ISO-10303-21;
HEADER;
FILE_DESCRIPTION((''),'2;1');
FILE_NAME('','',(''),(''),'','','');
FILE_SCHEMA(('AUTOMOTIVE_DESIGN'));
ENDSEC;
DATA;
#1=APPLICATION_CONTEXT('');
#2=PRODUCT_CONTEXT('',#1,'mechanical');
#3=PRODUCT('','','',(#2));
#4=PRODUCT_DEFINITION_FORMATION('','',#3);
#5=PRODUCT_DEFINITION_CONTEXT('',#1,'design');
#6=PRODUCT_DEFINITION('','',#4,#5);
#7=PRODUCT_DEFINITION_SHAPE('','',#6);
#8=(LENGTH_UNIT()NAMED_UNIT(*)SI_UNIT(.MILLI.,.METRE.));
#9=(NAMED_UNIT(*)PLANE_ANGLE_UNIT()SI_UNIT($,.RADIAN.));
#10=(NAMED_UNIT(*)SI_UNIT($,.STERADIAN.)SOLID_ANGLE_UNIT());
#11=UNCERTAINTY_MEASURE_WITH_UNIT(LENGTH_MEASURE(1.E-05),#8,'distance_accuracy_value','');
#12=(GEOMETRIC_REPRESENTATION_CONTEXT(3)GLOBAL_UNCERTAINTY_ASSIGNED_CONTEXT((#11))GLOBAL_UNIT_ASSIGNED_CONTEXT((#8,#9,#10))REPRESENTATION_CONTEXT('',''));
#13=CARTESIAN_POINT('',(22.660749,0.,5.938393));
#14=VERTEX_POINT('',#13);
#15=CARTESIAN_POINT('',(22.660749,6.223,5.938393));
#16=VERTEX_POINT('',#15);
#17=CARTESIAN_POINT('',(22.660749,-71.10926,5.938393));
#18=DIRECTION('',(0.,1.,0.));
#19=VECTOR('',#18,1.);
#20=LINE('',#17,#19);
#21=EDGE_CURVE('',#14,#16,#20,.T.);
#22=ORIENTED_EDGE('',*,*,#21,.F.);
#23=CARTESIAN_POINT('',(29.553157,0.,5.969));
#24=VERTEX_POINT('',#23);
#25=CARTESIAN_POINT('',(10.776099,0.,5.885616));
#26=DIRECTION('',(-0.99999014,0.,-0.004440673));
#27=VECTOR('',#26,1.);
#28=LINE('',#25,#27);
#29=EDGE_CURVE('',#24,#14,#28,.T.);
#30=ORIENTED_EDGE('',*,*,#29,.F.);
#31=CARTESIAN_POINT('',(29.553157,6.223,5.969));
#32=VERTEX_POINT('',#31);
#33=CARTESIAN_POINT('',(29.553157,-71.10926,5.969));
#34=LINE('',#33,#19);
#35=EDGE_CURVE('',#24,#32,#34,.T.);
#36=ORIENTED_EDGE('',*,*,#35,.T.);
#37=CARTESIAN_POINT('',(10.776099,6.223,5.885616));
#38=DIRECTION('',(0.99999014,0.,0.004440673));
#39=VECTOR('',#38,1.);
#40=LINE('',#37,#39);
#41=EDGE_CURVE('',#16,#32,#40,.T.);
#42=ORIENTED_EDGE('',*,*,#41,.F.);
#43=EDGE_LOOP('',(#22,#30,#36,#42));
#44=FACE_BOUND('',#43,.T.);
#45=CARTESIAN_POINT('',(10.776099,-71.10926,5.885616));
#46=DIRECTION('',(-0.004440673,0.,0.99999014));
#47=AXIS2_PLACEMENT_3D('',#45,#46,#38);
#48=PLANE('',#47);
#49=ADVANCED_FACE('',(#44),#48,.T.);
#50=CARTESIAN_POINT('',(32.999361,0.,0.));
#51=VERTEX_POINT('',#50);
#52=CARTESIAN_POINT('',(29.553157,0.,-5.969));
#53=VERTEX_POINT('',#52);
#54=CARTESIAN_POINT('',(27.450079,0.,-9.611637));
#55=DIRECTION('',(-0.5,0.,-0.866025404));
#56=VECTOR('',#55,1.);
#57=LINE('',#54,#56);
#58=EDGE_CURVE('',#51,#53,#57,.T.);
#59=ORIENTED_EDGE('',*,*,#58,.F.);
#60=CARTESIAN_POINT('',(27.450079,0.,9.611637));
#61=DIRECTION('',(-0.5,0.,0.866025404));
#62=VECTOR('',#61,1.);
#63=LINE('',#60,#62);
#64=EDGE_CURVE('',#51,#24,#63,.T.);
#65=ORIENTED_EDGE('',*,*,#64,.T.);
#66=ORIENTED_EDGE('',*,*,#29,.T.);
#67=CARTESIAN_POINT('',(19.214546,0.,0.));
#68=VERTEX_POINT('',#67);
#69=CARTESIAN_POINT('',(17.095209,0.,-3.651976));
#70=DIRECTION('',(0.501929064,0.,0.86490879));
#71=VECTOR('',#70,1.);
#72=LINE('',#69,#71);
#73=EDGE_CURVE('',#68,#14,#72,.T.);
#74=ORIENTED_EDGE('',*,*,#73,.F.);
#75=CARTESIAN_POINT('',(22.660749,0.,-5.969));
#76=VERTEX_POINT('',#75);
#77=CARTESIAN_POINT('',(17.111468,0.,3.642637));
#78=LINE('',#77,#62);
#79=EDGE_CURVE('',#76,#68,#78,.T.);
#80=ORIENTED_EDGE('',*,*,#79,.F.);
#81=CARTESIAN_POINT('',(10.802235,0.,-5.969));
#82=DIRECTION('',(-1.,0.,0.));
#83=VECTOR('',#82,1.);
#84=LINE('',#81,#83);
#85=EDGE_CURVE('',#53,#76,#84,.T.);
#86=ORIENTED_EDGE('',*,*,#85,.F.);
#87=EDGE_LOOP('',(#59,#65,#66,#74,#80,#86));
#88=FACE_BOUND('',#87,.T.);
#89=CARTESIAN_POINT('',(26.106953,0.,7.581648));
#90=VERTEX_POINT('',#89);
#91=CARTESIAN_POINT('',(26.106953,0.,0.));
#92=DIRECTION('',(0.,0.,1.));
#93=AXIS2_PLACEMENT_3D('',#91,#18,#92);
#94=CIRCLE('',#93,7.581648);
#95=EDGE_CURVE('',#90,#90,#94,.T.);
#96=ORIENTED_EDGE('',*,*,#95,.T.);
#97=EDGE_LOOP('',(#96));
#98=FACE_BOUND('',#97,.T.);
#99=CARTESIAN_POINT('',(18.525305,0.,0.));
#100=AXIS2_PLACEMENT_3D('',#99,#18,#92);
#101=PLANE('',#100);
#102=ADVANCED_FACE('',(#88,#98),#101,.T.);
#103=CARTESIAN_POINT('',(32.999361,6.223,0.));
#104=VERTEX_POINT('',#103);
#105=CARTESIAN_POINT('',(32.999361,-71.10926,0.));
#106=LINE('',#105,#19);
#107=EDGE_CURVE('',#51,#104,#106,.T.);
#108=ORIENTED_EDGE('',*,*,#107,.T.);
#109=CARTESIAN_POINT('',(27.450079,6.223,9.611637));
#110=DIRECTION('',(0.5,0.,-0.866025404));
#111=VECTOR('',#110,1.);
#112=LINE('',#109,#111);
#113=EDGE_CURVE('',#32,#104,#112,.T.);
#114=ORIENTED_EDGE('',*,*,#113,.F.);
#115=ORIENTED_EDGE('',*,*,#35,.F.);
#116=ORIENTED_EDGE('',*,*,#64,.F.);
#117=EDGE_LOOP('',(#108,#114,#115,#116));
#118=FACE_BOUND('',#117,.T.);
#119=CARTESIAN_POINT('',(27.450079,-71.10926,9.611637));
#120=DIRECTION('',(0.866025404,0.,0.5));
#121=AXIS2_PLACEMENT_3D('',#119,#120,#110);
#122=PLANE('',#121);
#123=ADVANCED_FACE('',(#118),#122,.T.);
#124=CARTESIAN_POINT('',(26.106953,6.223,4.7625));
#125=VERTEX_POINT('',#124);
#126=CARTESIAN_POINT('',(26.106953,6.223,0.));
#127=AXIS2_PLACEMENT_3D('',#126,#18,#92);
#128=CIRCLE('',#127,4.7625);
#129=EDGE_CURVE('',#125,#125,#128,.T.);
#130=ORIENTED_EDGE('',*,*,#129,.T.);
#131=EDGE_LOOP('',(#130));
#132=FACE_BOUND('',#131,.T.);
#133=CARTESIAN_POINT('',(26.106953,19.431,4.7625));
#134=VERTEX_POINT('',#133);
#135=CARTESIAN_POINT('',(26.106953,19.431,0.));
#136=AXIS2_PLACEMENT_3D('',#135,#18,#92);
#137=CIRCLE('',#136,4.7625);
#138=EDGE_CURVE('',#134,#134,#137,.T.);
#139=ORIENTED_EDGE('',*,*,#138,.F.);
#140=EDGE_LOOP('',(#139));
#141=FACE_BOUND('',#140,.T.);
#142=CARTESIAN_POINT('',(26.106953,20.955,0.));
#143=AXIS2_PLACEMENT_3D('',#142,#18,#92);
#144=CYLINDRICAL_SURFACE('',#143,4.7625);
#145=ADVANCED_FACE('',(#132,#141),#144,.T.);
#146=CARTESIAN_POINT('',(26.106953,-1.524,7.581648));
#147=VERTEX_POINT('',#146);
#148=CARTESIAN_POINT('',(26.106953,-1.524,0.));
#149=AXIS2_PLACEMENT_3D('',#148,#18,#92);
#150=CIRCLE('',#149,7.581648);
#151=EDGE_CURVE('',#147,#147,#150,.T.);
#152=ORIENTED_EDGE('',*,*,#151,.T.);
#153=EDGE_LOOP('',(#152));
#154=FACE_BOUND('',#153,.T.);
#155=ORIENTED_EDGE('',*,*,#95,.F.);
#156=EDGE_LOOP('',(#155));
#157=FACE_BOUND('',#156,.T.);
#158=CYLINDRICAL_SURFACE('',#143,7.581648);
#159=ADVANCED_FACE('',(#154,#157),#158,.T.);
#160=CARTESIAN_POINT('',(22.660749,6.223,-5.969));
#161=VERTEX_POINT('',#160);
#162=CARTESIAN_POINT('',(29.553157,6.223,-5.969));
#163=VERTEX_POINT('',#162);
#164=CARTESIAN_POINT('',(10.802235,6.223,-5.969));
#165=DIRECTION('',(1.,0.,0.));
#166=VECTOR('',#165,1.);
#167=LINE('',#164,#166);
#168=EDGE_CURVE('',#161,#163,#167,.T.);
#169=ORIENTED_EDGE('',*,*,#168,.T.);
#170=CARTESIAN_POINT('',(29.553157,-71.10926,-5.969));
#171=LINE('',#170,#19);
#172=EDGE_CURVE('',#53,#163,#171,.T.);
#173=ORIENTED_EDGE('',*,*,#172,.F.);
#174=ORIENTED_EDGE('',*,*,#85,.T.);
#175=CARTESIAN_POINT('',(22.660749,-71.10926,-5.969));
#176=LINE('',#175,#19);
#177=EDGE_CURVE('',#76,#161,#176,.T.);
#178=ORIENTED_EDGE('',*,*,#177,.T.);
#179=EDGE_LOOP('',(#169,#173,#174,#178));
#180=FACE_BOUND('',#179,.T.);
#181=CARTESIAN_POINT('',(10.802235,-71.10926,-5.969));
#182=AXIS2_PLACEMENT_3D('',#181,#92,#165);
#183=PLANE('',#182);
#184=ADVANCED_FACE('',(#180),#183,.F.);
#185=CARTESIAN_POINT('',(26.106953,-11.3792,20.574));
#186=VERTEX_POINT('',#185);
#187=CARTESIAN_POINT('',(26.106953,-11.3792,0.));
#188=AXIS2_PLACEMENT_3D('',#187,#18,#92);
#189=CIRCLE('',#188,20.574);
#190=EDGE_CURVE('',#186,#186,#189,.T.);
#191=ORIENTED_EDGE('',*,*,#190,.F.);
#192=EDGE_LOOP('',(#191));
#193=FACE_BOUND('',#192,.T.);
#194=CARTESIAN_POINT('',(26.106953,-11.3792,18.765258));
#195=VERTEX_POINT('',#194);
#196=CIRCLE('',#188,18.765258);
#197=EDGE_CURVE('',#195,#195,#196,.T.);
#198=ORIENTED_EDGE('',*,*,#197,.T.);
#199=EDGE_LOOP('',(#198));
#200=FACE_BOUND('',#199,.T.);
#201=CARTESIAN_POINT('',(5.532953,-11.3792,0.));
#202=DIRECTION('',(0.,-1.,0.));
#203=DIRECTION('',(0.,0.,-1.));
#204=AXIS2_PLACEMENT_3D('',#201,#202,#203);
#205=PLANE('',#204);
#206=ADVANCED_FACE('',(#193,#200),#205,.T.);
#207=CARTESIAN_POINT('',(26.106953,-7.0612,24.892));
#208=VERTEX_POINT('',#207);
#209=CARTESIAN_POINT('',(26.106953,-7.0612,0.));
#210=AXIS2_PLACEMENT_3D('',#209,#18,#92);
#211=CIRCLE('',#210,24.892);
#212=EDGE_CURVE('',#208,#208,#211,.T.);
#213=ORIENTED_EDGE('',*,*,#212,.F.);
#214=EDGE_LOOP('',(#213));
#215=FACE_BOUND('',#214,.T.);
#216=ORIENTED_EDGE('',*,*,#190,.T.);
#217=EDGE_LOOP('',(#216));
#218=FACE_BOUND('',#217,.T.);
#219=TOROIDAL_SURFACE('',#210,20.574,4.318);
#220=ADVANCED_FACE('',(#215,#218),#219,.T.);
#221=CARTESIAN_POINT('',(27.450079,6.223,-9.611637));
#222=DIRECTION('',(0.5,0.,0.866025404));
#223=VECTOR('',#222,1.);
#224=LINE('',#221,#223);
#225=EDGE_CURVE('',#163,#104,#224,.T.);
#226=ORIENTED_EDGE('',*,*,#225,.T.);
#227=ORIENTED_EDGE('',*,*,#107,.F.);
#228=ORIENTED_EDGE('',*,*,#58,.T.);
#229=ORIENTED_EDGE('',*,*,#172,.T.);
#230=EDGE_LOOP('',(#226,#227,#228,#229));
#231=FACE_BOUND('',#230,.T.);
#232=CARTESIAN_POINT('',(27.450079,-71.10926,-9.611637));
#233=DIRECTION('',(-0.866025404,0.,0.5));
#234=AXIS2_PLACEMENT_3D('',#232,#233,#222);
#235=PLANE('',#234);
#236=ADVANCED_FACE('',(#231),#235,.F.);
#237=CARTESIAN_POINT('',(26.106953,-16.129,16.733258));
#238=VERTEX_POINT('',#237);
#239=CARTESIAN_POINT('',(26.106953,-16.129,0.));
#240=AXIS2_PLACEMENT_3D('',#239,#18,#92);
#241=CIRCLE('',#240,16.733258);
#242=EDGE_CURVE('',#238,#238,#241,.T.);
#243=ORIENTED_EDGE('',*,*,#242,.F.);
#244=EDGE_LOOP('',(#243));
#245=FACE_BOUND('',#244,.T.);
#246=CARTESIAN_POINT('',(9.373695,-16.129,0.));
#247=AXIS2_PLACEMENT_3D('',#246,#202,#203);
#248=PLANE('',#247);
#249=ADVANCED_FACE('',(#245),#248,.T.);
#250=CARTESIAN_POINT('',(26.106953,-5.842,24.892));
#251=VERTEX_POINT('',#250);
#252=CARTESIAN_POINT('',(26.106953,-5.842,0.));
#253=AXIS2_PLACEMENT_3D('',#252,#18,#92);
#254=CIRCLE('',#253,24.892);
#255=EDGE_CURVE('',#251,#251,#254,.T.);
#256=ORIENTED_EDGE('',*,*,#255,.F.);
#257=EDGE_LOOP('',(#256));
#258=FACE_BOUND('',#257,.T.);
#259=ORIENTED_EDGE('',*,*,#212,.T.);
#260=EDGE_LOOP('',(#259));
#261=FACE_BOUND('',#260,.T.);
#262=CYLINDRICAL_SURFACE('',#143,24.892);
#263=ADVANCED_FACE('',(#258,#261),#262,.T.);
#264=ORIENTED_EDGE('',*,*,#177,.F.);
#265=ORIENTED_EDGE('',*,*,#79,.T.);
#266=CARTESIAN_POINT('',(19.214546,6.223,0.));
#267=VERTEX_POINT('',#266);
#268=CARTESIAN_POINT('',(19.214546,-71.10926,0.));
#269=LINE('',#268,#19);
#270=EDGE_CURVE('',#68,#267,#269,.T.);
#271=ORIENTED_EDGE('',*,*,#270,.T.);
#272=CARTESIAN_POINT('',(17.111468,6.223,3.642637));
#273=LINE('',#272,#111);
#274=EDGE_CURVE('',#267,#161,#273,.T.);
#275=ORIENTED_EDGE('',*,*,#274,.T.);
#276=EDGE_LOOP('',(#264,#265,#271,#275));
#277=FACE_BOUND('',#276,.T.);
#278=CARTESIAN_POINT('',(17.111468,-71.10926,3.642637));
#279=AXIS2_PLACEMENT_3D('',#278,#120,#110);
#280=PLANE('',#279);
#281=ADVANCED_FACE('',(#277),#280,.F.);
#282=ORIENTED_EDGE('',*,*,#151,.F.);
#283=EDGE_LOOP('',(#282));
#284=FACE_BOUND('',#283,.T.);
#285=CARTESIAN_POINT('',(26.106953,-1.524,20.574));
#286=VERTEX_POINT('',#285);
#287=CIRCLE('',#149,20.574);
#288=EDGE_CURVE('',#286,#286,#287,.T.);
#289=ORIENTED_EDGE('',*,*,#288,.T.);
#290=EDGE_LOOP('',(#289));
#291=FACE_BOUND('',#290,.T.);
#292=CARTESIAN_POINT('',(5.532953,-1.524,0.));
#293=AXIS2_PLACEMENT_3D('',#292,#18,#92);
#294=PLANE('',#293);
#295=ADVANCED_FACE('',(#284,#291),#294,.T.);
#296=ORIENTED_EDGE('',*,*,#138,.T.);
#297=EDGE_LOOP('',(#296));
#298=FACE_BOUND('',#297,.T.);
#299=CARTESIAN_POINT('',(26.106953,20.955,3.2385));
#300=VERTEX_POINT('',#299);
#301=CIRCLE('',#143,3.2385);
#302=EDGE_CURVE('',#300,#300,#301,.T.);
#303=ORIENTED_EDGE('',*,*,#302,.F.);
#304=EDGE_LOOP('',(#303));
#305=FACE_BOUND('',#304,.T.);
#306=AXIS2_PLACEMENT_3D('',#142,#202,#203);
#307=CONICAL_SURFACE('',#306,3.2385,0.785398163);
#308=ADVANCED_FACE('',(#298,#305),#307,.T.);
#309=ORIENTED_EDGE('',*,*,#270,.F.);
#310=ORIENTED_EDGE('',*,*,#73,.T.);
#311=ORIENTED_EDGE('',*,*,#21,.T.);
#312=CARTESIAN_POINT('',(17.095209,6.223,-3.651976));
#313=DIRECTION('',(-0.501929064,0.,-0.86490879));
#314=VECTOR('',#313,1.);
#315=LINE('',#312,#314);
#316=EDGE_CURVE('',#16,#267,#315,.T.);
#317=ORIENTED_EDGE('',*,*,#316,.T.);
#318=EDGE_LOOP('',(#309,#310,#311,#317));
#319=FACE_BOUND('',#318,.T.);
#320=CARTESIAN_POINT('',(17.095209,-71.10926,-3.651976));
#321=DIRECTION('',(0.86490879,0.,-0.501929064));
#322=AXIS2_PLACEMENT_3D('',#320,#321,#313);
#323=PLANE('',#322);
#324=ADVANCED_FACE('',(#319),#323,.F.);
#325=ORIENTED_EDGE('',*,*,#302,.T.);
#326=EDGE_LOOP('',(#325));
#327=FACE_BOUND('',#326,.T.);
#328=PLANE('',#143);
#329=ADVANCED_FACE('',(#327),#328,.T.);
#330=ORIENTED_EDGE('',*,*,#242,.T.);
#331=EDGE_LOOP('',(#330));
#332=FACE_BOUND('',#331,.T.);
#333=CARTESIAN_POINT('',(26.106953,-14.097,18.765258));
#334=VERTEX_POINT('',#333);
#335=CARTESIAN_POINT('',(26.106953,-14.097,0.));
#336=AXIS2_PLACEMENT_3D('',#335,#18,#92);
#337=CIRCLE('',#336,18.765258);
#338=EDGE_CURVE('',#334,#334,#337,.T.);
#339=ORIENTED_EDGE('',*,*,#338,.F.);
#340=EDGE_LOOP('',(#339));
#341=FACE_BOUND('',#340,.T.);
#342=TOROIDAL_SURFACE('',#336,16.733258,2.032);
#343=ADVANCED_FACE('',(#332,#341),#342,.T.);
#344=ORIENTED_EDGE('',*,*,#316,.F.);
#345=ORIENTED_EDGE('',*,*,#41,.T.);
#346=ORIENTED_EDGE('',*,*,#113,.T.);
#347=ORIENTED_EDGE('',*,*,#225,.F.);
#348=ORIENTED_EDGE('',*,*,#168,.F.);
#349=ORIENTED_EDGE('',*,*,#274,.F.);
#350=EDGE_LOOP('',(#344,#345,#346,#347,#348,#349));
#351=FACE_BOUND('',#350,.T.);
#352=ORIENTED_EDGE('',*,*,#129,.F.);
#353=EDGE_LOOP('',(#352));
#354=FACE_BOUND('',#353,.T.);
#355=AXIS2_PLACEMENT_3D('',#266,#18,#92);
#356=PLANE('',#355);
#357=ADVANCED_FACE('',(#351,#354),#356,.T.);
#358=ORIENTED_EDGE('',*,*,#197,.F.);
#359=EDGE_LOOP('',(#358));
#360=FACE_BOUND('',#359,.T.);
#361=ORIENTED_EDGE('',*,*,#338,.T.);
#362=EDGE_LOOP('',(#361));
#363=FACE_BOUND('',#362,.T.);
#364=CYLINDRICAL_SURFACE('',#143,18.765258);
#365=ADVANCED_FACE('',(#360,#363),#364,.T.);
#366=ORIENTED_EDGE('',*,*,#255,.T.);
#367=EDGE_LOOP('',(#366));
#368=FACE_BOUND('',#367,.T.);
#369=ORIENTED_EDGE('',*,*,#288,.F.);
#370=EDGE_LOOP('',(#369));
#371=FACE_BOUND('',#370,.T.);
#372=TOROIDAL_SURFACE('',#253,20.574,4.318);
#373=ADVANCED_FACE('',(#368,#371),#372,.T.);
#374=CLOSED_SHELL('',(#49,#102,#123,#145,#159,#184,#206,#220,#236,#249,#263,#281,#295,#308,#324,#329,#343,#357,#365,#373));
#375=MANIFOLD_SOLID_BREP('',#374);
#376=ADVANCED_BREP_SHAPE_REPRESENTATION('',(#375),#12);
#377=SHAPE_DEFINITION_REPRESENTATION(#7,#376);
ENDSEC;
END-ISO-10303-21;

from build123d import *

# Parameters (mm, degrees)
SKETCH2_OUTSIDE_W  = 67.698
SKETCH2_OUTSIDE_H  = 67.698
CUT_EXTRUDE1_DEPTH = 6.223


with BuildPart() as part:
    # Sketch1 → Revolve1 (revolve)
    with BuildSketch(Plane.XY, mode=Mode.PRIVATE) as revolve1_sk:
        with BuildLine():
            Line((9.373695388, -16.129), (26.106953114, -16.129))
            Line((26.106953114, -16.129), (26.106953114, 20.955))
            Line((26.106953114, 20.955), (22.868453114, 20.955))
            Line((22.868453114, 20.955), (21.344453114, 19.431))
            Line((21.344453114, 19.431), (21.344453114, 6.223))
            Line((21.344453114, 6.223), (19.214545601, 6.223))
            Line((19.214545601, 6.223), (19.214545601, 0))
            Line((19.214545601, 0), (18.525304849, 0))
            Line((18.525304849, 0), (18.525304849, -1.524))
            Line((18.525304849, -1.524), (5.532953114, -1.524))
            ThreePointArc((5.532953114, -1.524), (2.479666033, -2.788712919), (1.214953114, -5.842))
            Line((1.214953114, -5.842), (1.214953114, -7.0612))
            ThreePointArc((1.214953114, -7.0612), (2.479666033, -10.114487081), (5.532953114, -11.3792))
            Line((5.532953114, -11.3792), (7.341695388, -11.3792))
            Line((7.341695388, -11.3792), (7.341695388, -14.097))
            ThreePointArc((7.341695388, -14.097), (7.936854408, -15.533840979), (9.373695388, -16.129))
        make_face()
    revolve(revolve1_sk.sketch.rotate(Axis((26.106953114, 20.955, 0), (0, -1, 0)), 270), axis=Axis((26.106953114, 20.955, 0), (0, -1, 0)))

    # Sketch2 outside → Cut-Extrude1 (cut)
    with BuildSketch(Plane(origin=(0, 6.223, 0), x_dir=(1, 0, 0), z_dir=(0, 1, 0))):
        with Locations((26.107, 0)):
            Rectangle(SKETCH2_OUTSIDE_W, SKETCH2_OUTSIDE_H)
        Polygon((22.660749357, 5.969), (29.553156871, 5.969), (32.999360628, 0), (29.553156871, -5.969), (22.660749357, -5.938392769), (19.214545601, 0), align=None, mode=Mode.SUBTRACT)
    extrude(amount=-CUT_EXTRUDE1_DEPTH, mode=Mode.SUBTRACT)


solid = part.part
